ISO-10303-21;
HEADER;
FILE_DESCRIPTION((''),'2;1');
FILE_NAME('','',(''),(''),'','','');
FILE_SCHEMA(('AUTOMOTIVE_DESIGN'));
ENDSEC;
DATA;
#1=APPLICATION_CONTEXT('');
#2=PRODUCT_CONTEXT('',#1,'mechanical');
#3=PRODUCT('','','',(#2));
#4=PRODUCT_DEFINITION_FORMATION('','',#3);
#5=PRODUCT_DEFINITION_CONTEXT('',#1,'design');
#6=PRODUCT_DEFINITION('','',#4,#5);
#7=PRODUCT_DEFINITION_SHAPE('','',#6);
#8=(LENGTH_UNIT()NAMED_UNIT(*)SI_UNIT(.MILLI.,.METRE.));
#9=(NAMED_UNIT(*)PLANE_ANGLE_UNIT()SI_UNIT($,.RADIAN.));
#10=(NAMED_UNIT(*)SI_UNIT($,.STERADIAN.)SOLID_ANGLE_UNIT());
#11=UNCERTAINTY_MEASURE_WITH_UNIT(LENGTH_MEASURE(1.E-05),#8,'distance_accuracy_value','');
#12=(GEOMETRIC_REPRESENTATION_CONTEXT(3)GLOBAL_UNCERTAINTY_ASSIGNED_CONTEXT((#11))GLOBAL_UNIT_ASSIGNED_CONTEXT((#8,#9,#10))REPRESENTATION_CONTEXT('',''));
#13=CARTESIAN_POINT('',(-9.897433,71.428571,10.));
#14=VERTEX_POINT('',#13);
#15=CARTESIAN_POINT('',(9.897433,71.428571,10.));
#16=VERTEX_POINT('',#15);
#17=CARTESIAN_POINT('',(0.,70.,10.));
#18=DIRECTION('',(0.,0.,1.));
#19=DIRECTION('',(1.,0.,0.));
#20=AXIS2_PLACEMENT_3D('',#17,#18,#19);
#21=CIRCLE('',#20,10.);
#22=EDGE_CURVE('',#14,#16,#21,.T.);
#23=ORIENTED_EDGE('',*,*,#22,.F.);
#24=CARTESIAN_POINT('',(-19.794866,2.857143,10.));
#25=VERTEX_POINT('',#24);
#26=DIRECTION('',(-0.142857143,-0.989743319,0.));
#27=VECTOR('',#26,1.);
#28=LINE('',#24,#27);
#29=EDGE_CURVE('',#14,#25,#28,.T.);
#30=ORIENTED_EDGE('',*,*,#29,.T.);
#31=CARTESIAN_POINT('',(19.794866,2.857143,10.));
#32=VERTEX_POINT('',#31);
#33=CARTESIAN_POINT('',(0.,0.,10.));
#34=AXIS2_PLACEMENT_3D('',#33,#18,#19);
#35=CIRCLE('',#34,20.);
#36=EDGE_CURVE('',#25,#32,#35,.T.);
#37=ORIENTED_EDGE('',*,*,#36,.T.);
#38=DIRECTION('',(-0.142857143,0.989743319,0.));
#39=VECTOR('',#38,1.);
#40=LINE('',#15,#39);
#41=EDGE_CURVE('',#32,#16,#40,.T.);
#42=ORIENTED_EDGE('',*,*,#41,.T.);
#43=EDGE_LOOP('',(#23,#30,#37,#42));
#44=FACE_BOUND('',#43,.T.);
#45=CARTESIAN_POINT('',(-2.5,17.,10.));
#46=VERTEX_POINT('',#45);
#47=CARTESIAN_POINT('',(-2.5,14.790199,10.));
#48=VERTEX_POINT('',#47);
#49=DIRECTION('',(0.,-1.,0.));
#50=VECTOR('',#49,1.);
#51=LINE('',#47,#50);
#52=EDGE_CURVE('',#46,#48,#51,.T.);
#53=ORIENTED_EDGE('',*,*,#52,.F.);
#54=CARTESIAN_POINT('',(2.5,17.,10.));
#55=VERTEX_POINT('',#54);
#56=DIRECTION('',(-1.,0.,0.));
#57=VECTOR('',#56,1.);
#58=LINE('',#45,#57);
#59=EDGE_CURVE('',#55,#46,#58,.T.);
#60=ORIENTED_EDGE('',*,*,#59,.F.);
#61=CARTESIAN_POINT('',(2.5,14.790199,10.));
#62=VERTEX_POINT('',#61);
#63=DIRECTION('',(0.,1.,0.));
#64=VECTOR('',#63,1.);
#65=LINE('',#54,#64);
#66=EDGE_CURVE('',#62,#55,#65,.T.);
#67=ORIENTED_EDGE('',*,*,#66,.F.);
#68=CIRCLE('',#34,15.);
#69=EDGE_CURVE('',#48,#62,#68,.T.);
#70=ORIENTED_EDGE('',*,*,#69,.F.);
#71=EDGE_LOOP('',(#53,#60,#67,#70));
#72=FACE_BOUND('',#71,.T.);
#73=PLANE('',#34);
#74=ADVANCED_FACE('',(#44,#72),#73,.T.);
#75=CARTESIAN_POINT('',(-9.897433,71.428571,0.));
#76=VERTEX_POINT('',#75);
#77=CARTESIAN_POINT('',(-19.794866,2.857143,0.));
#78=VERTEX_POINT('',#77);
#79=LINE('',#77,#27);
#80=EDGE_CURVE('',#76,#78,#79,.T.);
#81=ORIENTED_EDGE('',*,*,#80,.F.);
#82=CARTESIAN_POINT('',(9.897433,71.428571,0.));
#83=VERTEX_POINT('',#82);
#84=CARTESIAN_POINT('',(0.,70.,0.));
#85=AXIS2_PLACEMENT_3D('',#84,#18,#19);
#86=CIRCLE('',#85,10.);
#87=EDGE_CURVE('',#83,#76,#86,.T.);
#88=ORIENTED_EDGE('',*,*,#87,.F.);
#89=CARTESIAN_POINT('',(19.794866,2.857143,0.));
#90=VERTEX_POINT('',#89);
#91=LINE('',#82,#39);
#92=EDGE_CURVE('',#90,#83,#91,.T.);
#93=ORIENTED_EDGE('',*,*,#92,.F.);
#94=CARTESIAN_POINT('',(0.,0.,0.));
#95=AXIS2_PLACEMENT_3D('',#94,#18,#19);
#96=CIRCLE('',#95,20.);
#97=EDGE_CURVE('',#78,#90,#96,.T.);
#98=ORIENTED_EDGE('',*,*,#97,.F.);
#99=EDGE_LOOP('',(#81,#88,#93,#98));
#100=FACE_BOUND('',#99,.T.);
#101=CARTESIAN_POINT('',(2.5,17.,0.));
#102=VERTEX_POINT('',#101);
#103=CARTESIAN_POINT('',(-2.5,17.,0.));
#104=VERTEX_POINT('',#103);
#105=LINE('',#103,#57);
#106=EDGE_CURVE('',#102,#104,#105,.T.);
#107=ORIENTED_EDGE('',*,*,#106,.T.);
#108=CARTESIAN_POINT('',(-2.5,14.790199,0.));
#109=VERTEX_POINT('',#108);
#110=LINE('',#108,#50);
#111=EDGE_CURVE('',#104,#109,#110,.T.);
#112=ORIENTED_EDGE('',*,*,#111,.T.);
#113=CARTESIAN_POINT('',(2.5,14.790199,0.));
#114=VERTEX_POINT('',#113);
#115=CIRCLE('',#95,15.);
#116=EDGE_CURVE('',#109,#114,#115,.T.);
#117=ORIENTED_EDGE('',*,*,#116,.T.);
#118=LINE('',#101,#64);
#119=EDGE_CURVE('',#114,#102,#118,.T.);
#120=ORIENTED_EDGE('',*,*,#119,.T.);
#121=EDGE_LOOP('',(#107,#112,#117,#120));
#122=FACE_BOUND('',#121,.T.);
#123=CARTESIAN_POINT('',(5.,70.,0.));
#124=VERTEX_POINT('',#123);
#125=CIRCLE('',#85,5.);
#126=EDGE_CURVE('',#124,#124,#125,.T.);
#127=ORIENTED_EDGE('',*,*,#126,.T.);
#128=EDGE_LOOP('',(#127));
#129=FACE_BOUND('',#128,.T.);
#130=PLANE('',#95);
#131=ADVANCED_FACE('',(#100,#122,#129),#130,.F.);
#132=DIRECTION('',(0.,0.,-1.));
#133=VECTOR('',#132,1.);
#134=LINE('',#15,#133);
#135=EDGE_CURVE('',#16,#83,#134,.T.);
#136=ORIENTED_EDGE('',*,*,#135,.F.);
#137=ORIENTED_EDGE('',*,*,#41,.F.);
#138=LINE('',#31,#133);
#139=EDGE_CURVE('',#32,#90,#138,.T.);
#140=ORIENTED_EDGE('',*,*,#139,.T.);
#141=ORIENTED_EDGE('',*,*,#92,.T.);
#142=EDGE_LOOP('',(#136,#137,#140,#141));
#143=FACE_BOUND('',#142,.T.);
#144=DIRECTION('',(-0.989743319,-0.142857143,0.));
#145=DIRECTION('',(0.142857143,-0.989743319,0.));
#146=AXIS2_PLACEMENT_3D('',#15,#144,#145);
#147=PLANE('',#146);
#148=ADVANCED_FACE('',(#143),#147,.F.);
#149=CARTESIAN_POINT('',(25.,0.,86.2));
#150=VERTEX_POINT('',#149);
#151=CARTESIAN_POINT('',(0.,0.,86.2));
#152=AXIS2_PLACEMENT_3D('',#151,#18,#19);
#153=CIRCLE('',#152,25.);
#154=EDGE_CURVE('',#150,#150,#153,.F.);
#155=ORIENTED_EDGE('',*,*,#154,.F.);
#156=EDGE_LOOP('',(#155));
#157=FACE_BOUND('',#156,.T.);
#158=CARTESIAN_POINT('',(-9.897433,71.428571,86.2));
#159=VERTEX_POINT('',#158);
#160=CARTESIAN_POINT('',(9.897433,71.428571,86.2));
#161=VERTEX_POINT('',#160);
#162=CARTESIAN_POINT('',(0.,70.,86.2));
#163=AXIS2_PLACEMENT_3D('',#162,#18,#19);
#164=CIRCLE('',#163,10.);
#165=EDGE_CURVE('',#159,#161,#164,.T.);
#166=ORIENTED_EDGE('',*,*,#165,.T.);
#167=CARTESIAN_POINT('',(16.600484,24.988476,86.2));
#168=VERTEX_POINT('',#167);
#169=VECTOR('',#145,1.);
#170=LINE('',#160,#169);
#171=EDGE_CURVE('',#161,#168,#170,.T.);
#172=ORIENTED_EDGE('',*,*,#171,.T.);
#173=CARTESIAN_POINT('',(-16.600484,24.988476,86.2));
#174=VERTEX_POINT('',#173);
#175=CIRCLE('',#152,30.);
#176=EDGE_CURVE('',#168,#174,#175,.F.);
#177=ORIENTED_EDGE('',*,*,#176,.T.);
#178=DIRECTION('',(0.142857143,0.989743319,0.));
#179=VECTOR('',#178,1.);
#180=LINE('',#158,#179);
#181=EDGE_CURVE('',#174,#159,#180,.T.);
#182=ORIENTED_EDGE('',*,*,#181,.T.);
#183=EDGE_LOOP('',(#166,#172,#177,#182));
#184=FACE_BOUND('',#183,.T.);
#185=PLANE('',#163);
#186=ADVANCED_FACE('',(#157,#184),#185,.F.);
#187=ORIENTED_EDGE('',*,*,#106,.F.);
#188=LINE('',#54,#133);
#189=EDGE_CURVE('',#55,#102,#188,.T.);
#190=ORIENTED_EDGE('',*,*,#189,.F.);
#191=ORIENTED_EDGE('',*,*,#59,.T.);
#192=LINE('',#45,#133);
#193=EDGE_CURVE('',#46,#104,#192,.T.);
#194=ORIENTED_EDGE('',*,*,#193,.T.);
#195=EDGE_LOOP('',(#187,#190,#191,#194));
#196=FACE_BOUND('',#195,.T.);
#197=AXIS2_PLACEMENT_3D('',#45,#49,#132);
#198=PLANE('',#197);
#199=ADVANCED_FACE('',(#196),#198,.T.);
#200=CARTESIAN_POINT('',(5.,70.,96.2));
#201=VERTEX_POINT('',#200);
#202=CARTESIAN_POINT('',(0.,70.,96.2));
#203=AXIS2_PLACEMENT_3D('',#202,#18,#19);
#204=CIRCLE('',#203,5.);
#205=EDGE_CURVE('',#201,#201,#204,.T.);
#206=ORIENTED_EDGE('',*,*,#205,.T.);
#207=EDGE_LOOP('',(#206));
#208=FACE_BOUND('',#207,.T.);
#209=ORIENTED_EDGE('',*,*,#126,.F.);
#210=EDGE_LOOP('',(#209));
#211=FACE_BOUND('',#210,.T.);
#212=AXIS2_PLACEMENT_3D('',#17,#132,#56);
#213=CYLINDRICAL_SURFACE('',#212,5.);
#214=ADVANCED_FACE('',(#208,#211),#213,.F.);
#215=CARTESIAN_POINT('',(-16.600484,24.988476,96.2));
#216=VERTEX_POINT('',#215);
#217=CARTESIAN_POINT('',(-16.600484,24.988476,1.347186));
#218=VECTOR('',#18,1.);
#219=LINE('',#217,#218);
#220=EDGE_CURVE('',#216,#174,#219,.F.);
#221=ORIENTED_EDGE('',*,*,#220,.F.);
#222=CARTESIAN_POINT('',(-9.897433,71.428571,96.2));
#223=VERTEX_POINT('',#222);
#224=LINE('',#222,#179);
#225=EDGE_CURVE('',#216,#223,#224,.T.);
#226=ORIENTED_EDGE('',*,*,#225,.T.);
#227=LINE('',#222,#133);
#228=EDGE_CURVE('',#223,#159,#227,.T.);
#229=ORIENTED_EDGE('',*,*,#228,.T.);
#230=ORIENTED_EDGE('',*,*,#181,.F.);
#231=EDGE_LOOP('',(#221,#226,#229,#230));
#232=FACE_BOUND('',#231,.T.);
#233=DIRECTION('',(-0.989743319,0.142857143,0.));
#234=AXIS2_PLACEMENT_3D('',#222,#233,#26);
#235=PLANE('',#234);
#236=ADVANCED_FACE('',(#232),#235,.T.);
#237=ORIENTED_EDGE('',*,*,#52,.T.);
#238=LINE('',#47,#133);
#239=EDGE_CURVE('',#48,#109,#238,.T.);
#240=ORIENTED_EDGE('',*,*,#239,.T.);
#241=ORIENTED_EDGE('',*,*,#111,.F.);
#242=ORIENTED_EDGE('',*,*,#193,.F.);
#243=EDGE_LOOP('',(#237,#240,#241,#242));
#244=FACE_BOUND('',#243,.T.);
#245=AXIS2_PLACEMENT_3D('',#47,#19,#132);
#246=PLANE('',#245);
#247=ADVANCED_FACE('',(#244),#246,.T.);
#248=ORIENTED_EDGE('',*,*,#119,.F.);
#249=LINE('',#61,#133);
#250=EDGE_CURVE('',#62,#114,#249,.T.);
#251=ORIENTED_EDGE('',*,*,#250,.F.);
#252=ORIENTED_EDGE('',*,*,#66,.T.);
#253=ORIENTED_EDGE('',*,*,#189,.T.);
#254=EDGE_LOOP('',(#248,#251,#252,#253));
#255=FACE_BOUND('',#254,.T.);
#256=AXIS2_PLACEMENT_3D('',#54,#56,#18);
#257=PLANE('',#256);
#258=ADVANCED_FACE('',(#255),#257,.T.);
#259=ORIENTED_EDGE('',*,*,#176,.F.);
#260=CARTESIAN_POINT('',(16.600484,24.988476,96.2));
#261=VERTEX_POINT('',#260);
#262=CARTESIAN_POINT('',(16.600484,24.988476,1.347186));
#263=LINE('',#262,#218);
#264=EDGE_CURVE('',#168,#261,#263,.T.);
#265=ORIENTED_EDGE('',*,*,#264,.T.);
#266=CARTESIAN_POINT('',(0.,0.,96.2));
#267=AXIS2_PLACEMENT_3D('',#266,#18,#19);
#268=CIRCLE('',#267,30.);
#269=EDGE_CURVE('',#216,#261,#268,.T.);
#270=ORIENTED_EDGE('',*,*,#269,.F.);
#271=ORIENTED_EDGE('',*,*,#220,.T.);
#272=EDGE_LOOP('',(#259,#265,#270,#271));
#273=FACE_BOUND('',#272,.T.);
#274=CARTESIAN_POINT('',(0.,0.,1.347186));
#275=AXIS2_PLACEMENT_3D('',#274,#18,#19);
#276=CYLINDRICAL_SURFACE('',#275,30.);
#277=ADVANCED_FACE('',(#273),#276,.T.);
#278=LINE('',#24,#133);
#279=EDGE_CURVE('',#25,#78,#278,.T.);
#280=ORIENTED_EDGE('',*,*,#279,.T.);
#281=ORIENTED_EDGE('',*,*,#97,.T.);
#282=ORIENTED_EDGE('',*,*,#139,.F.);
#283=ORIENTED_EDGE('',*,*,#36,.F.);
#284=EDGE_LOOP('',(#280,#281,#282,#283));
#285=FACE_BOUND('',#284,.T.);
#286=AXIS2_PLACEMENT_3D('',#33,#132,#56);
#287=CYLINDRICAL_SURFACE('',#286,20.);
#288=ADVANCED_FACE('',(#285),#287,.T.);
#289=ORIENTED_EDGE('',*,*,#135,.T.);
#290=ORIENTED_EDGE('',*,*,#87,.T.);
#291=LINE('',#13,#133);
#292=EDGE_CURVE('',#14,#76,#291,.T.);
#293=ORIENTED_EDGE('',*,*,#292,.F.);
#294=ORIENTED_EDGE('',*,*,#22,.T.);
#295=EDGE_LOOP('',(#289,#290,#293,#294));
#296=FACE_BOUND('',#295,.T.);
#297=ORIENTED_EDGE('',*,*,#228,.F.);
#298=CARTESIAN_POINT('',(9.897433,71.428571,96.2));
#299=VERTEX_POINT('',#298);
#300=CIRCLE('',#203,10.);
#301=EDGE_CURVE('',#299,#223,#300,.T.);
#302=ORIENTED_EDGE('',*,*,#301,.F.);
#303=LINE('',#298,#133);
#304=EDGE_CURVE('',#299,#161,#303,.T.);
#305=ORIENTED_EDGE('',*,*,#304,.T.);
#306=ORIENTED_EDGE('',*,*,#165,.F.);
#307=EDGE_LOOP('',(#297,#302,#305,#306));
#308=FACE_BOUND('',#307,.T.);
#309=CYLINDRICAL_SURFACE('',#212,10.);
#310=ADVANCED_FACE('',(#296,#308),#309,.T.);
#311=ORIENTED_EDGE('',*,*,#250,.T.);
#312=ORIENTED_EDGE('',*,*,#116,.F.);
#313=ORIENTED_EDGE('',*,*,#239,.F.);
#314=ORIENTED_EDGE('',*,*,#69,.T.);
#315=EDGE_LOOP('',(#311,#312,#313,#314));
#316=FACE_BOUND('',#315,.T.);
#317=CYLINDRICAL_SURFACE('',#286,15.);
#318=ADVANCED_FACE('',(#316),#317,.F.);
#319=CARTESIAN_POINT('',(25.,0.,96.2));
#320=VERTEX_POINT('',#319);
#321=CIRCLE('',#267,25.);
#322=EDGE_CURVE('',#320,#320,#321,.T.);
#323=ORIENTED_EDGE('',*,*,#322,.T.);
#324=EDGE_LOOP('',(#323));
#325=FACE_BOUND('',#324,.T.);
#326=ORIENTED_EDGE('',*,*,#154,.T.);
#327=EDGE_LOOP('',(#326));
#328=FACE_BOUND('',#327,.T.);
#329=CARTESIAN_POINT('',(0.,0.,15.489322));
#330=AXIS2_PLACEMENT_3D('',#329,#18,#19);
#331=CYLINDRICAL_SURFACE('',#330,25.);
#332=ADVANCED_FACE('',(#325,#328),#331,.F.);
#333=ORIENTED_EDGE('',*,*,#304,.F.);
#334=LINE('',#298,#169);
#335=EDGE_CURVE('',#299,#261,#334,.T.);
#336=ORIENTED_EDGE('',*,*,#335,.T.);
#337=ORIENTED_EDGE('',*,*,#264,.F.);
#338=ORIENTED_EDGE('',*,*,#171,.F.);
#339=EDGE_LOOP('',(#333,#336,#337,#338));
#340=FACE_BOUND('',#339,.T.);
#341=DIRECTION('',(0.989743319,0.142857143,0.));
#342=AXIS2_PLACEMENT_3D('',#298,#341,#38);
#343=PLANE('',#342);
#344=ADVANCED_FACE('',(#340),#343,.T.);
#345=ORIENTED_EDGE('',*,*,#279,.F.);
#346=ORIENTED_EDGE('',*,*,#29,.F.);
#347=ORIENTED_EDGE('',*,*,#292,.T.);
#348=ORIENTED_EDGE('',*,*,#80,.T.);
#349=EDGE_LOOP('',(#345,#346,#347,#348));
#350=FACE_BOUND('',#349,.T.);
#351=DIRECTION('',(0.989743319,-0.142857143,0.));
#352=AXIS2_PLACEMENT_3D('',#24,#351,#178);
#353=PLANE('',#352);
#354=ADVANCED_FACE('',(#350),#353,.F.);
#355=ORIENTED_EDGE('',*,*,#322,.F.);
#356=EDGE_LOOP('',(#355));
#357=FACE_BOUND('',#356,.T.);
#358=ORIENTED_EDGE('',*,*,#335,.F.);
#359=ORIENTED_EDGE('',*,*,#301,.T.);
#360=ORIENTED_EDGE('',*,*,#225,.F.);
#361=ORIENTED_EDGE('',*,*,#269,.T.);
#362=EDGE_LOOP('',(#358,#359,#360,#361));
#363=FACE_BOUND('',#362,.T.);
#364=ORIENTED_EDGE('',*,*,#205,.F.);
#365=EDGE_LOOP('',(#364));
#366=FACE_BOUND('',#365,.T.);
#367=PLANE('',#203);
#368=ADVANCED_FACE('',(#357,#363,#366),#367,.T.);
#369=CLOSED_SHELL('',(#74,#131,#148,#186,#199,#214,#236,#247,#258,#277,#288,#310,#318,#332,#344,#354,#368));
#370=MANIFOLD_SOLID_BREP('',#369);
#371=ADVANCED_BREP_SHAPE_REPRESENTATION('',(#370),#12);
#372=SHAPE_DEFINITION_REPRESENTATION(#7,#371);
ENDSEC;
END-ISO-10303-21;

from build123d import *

# Parameters (mm, degrees)
SKETCH2_R           = 5
BOSS_EXTRUDE1_DEPTH = 10
SKETCH3_R           = 10
SKETCH3_R_2         = 5
BOSS_EXTRUDE2_DEPTH = 76.2
BOSS_EXTRUDE3_START = 86.2
SKETCH2_2_R         = 5
BOSS_EXTRUDE3_DEPTH = 10
SKETCH5_R           = 30
BOSS_EXTRUDE4_DEPTH = 10
SKETCH6_R           = 25
CUT_EXTRUDE1_DEPTH  = 10


with BuildPart() as part:
    # Sketch2 → Boss-Extrude1 (new body)
    with BuildSketch(Plane.XY):
        with BuildLine():
            Line((-19.794866372, 2.857142857), (-9.897433186, 71.428571429))
            ThreePointArc((-9.897433186, 71.428571429), (0, 80), (9.897433186, 71.428571429))
            Line((9.897433186, 71.428571429), (19.794866372, 2.857142857))
            ThreePointArc((19.794866372, 2.857142857), (0, -20), (-19.794866372, 2.857142857))
        make_face()
        with Locations((0, 70)):
            Circle(SKETCH2_R, mode=Mode.SUBTRACT)
        with BuildLine():
            Line((-2.5, 14.790199458), (-2.5, 17))
            Line((-2.5, 17), (2.5, 17))
            Line((2.5, 17), (2.5, 14.790199458))
            ThreePointArc((2.5, 14.790199458), (0, -15), (-2.5, 14.790199458))
        make_face(mode=Mode.SUBTRACT)
    extrude(amount=BOSS_EXTRUDE1_DEPTH)

    # Sketch3 → Boss-Extrude2 (add)
    with BuildSketch(Plane.XY.offset(10)):
        with Locations(Location((0, 70, 0), (0, 0, 171.786789298))):
            Circle(SKETCH3_R)
        with Locations((0, 70)):
            Circle(SKETCH3_R_2, mode=Mode.SUBTRACT)
    extrude(amount=BOSS_EXTRUDE2_DEPTH)

    # Sketch2<2> → Boss-Extrude3 (add)
    with BuildSketch(Plane.XY.offset(BOSS_EXTRUDE3_START)):
        with BuildLine():
            Line((-19.794866372, 2.857142857), (-9.897433186, 71.428571429))
            ThreePointArc((-9.897433186, 71.428571429), (0, 80), (9.897433186, 71.428571429))
            Line((9.897433186, 71.428571429), (19.794866372, 2.857142857))
            ThreePointArc((19.794866372, 2.857142857), (0, -20), (-19.794866372, 2.857142857))
        make_face()
        with Locations((0, 70)):
            Circle(SKETCH2_2_R, mode=Mode.SUBTRACT)
        with BuildLine():
            Line((-2.5, 14.790199458), (-2.5, 17))
            Line((-2.5, 17), (2.5, 17))
            Line((2.5, 17), (2.5, 14.790199458))
            ThreePointArc((2.5, 14.790199458), (0, -15), (-2.5, 14.790199458))
        make_face(mode=Mode.SUBTRACT)
    extrude(amount=BOSS_EXTRUDE3_DEPTH)

    # Sketch5 → Boss-Extrude4 (add)
    with BuildSketch(Plane.XY.offset(96.2)):
        Circle(SKETCH5_R)
    extrude(amount=-BOSS_EXTRUDE4_DEPTH)

    # Sketch6 → Cut-Extrude1 (cut)
    with BuildSketch(Plane.XY.offset(96.2)):
        Circle(SKETCH6_R)
    extrude(amount=-CUT_EXTRUDE1_DEPTH, mode=Mode.SUBTRACT)


solid = part.part
